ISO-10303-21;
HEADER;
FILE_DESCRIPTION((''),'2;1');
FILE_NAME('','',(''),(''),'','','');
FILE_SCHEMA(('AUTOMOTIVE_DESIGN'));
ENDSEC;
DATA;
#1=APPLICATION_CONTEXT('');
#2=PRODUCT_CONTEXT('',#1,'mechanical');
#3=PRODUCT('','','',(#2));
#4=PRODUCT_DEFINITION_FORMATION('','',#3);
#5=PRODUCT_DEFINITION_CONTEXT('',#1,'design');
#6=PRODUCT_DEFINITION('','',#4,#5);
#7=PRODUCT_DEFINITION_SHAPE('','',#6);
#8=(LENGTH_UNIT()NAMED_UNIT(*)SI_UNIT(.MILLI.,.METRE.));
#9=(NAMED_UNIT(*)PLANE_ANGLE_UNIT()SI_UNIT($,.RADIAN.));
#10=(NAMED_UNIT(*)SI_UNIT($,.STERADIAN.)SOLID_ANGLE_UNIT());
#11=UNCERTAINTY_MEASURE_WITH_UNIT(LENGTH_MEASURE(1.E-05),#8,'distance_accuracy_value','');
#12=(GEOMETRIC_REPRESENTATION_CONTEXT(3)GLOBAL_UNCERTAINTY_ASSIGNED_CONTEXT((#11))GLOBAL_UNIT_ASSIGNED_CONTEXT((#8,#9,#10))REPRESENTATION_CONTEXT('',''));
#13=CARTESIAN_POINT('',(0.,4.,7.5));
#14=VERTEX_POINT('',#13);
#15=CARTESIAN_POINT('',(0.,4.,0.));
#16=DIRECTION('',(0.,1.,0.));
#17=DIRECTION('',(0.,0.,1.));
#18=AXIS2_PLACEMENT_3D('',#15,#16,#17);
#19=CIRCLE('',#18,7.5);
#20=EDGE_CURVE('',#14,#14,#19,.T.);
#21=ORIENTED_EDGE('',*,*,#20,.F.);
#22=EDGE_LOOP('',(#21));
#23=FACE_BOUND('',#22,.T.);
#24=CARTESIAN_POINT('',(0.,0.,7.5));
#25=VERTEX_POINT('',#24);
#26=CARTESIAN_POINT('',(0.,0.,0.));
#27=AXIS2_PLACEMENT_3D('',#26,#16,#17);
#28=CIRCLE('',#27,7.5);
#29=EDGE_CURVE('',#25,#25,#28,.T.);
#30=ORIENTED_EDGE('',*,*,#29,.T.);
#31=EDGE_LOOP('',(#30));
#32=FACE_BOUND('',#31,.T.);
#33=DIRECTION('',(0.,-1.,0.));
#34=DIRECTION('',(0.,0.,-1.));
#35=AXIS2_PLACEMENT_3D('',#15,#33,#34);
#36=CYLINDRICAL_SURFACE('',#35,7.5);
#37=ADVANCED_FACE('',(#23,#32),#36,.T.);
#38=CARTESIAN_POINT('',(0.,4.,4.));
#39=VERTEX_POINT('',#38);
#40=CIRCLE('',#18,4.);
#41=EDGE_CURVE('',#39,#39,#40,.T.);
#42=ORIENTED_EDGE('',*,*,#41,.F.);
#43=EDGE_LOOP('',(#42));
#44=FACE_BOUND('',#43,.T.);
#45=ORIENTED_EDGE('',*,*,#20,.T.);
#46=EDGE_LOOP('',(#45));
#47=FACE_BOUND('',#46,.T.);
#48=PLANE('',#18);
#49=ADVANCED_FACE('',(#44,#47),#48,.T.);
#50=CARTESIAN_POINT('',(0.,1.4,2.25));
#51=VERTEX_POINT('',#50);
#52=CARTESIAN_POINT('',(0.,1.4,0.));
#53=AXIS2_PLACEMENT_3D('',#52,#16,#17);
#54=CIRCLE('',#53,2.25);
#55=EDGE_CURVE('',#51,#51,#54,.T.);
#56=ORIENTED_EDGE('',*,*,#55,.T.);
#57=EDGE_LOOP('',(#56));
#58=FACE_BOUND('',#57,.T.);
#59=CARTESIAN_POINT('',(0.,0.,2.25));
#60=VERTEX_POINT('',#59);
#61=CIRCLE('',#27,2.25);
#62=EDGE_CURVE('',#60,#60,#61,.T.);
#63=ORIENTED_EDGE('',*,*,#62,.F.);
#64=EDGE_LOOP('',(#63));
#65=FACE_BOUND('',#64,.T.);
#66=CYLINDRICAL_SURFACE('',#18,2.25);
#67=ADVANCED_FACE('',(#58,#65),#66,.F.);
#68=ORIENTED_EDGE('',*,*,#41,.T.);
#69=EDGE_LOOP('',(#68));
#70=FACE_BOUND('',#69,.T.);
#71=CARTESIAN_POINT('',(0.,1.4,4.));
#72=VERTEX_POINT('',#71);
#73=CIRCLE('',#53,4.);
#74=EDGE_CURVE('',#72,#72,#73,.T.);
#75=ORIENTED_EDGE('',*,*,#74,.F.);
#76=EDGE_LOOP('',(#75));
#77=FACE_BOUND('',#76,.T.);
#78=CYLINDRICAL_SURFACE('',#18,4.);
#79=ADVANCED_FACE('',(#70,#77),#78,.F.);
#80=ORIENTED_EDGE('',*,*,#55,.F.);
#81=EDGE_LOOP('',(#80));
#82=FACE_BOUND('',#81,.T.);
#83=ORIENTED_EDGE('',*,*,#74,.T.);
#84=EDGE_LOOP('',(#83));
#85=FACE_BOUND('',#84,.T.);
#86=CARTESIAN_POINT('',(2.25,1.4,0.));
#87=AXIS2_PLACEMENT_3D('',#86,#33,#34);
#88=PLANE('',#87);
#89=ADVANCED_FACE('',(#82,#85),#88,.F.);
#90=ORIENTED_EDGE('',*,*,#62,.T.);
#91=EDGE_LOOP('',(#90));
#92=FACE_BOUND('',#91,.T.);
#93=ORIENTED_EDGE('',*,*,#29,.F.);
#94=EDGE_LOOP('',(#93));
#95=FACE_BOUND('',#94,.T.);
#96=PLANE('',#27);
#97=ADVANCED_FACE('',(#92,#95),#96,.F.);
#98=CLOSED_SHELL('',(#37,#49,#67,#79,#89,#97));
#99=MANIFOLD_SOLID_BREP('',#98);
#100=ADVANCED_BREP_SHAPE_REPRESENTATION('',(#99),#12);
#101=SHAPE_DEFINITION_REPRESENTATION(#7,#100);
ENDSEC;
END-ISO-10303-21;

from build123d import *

# Parameters (mm, degrees)
ESBO_O1_R                                            = 7.5
RESSALTO_EXTRUS_O1_DEPTH                             = 4
REBAIXO_PARA_PARAFUSO_COM_CABE_A_REDONDA_D           = 4.5
REBAIXO_PARA_PARAFUSO_COM_CABE_A_REDONDA_CBORE_D     = 8
REBAIXO_PARA_PARAFUSO_COM_CABE_A_REDONDA_CBORE_DEPTH = 2.6


with BuildPart() as part:
    # Esboço1 → Ressalto-extrusão1 (new body)
    with BuildSketch(Plane(origin=(0, 0, 0), x_dir=(1, 0, 0), z_dir=(0, 1, 0))):
        with Locations(Location((0, 0, 0), (0, 0, 270))):
            Circle(ESBO_O1_R)
    extrude(amount=RESSALTO_EXTRUS_O1_DEPTH)

    # Rebaixo para parafuso com cabeça redonda de M41 (through all)
    with Locations(Plane(origin=(0, 4, 0), x_dir=(1, 0, 0), z_dir=(0, 1, 0))):
        with Locations((0, 0)):
            CounterBoreHole(REBAIXO_PARA_PARAFUSO_COM_CABE_A_REDONDA_D / 2, REBAIXO_PARA_PARAFUSO_COM_CABE_A_REDONDA_CBORE_D / 2, REBAIXO_PARA_PARAFUSO_COM_CABE_A_REDONDA_CBORE_DEPTH)


solid = part.part
